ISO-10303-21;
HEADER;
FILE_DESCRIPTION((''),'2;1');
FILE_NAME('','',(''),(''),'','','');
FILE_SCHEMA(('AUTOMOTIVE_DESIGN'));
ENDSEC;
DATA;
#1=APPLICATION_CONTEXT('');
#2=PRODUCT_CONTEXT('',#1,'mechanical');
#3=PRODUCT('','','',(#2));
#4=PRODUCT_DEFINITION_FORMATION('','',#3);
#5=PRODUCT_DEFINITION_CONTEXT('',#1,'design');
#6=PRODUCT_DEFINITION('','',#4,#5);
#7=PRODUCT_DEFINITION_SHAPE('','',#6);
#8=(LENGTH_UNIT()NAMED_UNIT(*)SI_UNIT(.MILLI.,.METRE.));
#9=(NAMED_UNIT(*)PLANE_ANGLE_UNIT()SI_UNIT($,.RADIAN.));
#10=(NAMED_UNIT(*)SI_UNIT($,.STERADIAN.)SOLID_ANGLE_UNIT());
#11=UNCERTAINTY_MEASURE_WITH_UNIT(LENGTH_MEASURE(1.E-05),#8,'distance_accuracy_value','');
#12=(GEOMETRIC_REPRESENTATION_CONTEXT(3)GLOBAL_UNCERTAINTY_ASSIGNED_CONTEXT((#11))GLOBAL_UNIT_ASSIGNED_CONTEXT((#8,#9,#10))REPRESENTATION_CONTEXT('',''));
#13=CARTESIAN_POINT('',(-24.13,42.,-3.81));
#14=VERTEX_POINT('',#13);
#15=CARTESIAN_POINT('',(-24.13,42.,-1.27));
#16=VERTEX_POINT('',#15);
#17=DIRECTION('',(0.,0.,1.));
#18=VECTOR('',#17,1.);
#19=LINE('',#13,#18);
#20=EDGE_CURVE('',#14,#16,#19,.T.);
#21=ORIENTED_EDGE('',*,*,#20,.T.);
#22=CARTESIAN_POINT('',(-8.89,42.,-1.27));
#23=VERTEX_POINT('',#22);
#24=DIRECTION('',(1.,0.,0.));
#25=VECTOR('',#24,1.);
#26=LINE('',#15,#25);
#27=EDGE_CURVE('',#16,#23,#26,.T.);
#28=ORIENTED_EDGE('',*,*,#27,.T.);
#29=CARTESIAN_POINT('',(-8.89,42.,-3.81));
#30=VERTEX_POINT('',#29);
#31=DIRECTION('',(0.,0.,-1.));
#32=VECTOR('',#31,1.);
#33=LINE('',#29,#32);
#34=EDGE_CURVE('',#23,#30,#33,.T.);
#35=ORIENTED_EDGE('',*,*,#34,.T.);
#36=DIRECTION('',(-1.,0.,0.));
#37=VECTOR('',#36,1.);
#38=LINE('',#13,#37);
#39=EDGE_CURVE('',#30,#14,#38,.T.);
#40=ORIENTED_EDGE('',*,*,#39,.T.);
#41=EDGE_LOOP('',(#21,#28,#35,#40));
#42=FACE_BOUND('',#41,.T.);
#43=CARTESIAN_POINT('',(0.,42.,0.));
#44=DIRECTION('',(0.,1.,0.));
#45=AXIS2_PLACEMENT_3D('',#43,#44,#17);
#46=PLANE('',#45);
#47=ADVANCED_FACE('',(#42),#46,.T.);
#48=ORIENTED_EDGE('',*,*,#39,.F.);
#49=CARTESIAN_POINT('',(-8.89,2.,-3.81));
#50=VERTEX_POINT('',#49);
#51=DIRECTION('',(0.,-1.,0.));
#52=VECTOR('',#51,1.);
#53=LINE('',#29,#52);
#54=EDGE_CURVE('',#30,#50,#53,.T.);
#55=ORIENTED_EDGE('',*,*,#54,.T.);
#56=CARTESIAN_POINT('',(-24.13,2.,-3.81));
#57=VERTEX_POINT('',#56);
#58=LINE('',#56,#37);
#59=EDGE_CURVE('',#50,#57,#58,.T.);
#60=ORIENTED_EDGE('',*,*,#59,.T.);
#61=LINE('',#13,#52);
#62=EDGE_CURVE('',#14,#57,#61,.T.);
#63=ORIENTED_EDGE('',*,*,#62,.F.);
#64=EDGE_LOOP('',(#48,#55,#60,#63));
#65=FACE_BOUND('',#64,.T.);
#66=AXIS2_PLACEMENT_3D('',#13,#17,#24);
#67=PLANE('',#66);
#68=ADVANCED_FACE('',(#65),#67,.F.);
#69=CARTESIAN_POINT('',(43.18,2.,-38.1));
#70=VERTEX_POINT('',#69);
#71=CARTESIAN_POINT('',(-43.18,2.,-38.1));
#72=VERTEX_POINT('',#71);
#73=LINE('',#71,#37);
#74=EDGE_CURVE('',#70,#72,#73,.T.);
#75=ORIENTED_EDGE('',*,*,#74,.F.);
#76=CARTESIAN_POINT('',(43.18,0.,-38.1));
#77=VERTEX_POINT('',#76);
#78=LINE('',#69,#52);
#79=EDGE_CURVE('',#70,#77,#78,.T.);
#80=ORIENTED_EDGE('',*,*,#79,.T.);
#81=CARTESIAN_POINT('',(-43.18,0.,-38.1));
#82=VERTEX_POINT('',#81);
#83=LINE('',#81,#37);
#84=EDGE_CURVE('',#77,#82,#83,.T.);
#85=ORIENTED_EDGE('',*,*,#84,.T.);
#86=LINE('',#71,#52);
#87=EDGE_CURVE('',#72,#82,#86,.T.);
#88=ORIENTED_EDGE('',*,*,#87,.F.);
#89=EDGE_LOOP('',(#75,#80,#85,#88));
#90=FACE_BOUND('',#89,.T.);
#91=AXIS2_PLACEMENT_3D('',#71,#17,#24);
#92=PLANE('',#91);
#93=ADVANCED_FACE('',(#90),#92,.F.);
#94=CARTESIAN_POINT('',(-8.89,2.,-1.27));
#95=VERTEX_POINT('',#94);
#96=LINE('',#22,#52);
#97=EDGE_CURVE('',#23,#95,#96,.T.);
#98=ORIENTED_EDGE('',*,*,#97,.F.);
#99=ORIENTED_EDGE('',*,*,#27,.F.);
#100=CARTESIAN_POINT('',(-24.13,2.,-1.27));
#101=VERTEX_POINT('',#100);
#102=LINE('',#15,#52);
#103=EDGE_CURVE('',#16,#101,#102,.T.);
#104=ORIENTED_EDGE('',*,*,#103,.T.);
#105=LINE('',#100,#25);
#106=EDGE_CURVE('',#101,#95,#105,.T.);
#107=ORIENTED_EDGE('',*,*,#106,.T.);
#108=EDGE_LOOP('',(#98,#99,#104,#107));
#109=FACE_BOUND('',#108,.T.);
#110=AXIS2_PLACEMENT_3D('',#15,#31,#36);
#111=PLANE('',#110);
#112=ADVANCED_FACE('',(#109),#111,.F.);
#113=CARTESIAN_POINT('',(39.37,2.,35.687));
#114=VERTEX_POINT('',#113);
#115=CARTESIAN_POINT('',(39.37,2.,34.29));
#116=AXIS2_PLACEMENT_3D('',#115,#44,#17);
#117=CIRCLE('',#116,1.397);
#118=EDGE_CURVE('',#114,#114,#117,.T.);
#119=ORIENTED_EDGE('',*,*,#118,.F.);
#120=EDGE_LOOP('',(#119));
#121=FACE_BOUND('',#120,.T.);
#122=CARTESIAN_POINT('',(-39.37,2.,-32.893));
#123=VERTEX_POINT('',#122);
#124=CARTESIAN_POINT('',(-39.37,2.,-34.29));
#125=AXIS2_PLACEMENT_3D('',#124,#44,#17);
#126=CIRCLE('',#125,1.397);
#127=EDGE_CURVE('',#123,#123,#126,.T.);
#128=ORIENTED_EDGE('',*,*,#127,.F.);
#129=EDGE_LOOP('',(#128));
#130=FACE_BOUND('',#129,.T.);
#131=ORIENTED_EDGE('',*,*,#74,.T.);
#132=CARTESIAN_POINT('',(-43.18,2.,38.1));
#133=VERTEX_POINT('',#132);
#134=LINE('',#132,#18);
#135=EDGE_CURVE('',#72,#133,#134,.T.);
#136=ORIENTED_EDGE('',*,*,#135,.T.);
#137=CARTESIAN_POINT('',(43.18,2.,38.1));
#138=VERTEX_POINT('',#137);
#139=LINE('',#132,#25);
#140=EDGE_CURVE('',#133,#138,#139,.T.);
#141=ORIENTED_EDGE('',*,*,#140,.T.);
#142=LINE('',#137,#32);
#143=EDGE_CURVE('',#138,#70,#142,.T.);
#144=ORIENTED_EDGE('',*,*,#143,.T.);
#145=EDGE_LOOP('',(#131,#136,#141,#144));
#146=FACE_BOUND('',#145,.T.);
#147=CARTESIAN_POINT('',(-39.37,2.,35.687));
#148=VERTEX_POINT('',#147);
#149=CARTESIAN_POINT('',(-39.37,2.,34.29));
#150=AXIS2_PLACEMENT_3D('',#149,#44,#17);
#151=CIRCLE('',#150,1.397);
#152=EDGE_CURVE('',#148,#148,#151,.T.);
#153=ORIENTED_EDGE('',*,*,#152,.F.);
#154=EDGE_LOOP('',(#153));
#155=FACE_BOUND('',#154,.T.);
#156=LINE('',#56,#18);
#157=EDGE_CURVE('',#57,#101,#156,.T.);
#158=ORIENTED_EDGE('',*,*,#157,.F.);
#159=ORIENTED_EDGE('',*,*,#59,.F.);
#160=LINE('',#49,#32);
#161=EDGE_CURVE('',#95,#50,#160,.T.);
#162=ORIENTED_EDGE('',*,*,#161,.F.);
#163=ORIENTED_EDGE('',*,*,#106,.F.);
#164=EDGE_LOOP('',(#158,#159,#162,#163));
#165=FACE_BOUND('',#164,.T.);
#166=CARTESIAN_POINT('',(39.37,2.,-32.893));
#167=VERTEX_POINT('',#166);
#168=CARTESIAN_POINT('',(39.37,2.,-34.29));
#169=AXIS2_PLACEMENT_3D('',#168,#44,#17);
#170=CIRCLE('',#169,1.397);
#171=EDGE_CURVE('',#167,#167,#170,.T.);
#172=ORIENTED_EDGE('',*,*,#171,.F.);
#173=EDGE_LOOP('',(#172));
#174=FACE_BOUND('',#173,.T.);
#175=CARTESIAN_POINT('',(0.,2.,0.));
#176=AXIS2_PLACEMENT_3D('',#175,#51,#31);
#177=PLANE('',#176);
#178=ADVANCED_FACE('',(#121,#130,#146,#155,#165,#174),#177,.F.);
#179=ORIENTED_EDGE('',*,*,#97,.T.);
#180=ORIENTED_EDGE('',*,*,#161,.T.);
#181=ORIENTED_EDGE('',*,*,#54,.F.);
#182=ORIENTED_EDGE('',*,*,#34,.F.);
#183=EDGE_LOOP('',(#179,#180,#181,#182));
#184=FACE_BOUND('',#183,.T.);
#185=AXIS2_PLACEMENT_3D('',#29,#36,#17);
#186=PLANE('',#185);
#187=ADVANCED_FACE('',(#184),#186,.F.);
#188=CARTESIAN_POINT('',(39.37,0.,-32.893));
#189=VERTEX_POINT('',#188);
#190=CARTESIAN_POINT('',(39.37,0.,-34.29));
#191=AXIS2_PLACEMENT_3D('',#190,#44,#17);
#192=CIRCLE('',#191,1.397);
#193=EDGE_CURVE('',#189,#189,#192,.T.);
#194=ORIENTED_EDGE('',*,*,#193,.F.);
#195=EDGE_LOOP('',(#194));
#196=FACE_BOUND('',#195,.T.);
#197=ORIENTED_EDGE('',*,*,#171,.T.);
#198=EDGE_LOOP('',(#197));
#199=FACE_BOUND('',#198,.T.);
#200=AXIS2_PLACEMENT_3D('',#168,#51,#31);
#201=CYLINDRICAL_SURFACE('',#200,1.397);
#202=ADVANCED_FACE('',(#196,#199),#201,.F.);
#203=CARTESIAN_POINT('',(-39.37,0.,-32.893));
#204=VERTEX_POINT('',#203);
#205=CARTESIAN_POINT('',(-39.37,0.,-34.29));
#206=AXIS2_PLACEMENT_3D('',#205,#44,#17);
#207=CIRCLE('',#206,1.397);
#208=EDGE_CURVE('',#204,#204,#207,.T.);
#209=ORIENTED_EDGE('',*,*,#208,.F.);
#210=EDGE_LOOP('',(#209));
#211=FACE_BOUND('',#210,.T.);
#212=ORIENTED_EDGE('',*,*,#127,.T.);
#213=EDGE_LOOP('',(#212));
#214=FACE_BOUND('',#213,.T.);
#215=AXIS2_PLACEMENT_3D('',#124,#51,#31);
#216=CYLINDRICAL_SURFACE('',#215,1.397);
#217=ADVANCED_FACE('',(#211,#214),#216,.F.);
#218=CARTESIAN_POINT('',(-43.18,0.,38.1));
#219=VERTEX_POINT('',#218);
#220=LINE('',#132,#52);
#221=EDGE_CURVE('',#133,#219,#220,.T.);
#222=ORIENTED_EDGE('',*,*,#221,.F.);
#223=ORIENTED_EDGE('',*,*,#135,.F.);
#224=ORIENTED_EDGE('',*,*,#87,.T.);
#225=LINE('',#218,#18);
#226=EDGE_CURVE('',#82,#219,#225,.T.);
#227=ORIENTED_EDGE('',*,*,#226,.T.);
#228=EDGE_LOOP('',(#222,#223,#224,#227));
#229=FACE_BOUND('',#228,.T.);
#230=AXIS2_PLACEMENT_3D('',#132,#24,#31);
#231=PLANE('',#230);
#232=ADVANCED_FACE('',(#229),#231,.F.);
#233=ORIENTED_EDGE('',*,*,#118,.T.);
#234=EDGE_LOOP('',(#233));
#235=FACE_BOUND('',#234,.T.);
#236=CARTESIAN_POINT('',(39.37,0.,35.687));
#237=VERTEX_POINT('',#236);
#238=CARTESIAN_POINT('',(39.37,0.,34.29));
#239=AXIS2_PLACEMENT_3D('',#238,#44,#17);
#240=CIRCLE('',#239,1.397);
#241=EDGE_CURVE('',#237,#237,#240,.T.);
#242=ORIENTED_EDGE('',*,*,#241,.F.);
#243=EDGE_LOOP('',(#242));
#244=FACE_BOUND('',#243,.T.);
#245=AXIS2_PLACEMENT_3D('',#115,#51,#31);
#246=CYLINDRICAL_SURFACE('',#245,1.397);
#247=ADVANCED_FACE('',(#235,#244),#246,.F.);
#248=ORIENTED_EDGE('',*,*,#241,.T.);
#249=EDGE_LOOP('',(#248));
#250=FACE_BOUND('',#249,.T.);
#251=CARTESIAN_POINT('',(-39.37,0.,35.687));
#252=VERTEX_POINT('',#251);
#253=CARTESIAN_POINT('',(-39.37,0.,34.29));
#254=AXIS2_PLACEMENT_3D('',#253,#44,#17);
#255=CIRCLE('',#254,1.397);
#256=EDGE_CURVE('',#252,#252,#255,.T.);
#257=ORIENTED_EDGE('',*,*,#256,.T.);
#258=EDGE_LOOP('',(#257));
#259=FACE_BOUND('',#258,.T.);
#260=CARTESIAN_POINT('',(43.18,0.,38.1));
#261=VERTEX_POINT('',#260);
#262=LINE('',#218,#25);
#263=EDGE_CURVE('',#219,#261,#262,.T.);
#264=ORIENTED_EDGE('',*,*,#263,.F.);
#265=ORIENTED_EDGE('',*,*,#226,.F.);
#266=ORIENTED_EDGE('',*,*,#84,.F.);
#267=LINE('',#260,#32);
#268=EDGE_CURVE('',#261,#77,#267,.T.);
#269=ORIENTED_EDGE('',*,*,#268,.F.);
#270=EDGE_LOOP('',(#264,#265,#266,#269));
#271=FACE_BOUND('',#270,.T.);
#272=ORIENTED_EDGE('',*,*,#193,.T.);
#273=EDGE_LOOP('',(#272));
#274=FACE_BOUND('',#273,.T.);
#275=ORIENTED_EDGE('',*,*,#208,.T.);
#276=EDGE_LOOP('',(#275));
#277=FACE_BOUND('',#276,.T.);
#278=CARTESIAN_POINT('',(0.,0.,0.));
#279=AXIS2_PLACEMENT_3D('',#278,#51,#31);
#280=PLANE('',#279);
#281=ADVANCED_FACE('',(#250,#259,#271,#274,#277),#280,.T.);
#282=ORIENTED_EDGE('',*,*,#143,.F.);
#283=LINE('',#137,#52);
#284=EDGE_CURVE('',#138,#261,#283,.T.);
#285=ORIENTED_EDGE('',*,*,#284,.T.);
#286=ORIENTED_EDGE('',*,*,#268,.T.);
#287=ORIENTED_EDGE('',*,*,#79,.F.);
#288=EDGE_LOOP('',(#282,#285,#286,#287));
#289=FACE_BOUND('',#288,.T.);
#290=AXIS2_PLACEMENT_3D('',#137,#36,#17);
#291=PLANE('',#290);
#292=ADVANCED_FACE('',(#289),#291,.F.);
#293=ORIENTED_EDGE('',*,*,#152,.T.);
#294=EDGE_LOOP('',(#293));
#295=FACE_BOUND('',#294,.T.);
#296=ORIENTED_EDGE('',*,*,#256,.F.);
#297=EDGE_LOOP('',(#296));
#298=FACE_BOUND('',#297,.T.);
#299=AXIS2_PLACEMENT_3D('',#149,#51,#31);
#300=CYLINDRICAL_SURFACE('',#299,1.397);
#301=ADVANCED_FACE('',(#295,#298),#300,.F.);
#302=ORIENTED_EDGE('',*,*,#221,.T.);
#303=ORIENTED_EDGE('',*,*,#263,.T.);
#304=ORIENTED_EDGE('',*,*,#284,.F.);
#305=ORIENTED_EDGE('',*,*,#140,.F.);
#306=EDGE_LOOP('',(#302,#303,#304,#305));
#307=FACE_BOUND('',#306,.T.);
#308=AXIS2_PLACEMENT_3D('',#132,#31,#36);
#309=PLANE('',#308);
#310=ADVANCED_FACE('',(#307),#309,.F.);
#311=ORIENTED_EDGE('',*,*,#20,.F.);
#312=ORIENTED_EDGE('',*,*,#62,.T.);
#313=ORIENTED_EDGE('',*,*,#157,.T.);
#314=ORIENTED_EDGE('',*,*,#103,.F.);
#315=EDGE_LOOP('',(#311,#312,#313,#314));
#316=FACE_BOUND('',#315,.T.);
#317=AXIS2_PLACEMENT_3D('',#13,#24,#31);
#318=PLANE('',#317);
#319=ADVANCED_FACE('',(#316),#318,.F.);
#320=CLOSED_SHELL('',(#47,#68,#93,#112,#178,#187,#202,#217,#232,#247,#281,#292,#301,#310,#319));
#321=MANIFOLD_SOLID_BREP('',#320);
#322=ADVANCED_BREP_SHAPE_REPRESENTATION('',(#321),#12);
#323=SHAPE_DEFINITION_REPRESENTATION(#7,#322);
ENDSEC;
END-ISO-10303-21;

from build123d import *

# Parameters (mm, degrees)
SKETCH1_W           = 86.36
SKETCH1_H           = 76.2
SKETCH1_R           = 1.397
BOSS_EXTRUDE1_DEPTH = 2
SKETCH2_W           = 15.24
SKETCH2_H           = 2.54
BOSS_EXTRUDE2_DEPTH = 40


with BuildPart() as part:
    # Sketch1 → Boss-Extrude1 (new body)
    with BuildSketch(Plane(origin=(0, 0, 0), x_dir=(1, 0, 0), z_dir=(0, 1, 0))):
        Rectangle(SKETCH1_W, SKETCH1_H)
        with Locations((-39.37, 34.29)):
            Circle(SKETCH1_R, mode=Mode.SUBTRACT)
        with Locations((39.37, -34.29)):
            Circle(SKETCH1_R, mode=Mode.SUBTRACT)
        with Locations((-39.37, -34.29)):
            Circle(SKETCH1_R, mode=Mode.SUBTRACT)
        with Locations((39.37, 34.29)):
            Circle(SKETCH1_R, mode=Mode.SUBTRACT)
    extrude(amount=BOSS_EXTRUDE1_DEPTH)

    # Sketch2 → Boss-Extrude2 (add)
    with BuildSketch(Plane(origin=(0, 2, 0), x_dir=(1, 0, 0), z_dir=(0, 1, 0))):
        with Locations((-16.51, 2.54)):
            Rectangle(SKETCH2_W, SKETCH2_H)
    extrude(amount=BOSS_EXTRUDE2_DEPTH)


solid = part.part
